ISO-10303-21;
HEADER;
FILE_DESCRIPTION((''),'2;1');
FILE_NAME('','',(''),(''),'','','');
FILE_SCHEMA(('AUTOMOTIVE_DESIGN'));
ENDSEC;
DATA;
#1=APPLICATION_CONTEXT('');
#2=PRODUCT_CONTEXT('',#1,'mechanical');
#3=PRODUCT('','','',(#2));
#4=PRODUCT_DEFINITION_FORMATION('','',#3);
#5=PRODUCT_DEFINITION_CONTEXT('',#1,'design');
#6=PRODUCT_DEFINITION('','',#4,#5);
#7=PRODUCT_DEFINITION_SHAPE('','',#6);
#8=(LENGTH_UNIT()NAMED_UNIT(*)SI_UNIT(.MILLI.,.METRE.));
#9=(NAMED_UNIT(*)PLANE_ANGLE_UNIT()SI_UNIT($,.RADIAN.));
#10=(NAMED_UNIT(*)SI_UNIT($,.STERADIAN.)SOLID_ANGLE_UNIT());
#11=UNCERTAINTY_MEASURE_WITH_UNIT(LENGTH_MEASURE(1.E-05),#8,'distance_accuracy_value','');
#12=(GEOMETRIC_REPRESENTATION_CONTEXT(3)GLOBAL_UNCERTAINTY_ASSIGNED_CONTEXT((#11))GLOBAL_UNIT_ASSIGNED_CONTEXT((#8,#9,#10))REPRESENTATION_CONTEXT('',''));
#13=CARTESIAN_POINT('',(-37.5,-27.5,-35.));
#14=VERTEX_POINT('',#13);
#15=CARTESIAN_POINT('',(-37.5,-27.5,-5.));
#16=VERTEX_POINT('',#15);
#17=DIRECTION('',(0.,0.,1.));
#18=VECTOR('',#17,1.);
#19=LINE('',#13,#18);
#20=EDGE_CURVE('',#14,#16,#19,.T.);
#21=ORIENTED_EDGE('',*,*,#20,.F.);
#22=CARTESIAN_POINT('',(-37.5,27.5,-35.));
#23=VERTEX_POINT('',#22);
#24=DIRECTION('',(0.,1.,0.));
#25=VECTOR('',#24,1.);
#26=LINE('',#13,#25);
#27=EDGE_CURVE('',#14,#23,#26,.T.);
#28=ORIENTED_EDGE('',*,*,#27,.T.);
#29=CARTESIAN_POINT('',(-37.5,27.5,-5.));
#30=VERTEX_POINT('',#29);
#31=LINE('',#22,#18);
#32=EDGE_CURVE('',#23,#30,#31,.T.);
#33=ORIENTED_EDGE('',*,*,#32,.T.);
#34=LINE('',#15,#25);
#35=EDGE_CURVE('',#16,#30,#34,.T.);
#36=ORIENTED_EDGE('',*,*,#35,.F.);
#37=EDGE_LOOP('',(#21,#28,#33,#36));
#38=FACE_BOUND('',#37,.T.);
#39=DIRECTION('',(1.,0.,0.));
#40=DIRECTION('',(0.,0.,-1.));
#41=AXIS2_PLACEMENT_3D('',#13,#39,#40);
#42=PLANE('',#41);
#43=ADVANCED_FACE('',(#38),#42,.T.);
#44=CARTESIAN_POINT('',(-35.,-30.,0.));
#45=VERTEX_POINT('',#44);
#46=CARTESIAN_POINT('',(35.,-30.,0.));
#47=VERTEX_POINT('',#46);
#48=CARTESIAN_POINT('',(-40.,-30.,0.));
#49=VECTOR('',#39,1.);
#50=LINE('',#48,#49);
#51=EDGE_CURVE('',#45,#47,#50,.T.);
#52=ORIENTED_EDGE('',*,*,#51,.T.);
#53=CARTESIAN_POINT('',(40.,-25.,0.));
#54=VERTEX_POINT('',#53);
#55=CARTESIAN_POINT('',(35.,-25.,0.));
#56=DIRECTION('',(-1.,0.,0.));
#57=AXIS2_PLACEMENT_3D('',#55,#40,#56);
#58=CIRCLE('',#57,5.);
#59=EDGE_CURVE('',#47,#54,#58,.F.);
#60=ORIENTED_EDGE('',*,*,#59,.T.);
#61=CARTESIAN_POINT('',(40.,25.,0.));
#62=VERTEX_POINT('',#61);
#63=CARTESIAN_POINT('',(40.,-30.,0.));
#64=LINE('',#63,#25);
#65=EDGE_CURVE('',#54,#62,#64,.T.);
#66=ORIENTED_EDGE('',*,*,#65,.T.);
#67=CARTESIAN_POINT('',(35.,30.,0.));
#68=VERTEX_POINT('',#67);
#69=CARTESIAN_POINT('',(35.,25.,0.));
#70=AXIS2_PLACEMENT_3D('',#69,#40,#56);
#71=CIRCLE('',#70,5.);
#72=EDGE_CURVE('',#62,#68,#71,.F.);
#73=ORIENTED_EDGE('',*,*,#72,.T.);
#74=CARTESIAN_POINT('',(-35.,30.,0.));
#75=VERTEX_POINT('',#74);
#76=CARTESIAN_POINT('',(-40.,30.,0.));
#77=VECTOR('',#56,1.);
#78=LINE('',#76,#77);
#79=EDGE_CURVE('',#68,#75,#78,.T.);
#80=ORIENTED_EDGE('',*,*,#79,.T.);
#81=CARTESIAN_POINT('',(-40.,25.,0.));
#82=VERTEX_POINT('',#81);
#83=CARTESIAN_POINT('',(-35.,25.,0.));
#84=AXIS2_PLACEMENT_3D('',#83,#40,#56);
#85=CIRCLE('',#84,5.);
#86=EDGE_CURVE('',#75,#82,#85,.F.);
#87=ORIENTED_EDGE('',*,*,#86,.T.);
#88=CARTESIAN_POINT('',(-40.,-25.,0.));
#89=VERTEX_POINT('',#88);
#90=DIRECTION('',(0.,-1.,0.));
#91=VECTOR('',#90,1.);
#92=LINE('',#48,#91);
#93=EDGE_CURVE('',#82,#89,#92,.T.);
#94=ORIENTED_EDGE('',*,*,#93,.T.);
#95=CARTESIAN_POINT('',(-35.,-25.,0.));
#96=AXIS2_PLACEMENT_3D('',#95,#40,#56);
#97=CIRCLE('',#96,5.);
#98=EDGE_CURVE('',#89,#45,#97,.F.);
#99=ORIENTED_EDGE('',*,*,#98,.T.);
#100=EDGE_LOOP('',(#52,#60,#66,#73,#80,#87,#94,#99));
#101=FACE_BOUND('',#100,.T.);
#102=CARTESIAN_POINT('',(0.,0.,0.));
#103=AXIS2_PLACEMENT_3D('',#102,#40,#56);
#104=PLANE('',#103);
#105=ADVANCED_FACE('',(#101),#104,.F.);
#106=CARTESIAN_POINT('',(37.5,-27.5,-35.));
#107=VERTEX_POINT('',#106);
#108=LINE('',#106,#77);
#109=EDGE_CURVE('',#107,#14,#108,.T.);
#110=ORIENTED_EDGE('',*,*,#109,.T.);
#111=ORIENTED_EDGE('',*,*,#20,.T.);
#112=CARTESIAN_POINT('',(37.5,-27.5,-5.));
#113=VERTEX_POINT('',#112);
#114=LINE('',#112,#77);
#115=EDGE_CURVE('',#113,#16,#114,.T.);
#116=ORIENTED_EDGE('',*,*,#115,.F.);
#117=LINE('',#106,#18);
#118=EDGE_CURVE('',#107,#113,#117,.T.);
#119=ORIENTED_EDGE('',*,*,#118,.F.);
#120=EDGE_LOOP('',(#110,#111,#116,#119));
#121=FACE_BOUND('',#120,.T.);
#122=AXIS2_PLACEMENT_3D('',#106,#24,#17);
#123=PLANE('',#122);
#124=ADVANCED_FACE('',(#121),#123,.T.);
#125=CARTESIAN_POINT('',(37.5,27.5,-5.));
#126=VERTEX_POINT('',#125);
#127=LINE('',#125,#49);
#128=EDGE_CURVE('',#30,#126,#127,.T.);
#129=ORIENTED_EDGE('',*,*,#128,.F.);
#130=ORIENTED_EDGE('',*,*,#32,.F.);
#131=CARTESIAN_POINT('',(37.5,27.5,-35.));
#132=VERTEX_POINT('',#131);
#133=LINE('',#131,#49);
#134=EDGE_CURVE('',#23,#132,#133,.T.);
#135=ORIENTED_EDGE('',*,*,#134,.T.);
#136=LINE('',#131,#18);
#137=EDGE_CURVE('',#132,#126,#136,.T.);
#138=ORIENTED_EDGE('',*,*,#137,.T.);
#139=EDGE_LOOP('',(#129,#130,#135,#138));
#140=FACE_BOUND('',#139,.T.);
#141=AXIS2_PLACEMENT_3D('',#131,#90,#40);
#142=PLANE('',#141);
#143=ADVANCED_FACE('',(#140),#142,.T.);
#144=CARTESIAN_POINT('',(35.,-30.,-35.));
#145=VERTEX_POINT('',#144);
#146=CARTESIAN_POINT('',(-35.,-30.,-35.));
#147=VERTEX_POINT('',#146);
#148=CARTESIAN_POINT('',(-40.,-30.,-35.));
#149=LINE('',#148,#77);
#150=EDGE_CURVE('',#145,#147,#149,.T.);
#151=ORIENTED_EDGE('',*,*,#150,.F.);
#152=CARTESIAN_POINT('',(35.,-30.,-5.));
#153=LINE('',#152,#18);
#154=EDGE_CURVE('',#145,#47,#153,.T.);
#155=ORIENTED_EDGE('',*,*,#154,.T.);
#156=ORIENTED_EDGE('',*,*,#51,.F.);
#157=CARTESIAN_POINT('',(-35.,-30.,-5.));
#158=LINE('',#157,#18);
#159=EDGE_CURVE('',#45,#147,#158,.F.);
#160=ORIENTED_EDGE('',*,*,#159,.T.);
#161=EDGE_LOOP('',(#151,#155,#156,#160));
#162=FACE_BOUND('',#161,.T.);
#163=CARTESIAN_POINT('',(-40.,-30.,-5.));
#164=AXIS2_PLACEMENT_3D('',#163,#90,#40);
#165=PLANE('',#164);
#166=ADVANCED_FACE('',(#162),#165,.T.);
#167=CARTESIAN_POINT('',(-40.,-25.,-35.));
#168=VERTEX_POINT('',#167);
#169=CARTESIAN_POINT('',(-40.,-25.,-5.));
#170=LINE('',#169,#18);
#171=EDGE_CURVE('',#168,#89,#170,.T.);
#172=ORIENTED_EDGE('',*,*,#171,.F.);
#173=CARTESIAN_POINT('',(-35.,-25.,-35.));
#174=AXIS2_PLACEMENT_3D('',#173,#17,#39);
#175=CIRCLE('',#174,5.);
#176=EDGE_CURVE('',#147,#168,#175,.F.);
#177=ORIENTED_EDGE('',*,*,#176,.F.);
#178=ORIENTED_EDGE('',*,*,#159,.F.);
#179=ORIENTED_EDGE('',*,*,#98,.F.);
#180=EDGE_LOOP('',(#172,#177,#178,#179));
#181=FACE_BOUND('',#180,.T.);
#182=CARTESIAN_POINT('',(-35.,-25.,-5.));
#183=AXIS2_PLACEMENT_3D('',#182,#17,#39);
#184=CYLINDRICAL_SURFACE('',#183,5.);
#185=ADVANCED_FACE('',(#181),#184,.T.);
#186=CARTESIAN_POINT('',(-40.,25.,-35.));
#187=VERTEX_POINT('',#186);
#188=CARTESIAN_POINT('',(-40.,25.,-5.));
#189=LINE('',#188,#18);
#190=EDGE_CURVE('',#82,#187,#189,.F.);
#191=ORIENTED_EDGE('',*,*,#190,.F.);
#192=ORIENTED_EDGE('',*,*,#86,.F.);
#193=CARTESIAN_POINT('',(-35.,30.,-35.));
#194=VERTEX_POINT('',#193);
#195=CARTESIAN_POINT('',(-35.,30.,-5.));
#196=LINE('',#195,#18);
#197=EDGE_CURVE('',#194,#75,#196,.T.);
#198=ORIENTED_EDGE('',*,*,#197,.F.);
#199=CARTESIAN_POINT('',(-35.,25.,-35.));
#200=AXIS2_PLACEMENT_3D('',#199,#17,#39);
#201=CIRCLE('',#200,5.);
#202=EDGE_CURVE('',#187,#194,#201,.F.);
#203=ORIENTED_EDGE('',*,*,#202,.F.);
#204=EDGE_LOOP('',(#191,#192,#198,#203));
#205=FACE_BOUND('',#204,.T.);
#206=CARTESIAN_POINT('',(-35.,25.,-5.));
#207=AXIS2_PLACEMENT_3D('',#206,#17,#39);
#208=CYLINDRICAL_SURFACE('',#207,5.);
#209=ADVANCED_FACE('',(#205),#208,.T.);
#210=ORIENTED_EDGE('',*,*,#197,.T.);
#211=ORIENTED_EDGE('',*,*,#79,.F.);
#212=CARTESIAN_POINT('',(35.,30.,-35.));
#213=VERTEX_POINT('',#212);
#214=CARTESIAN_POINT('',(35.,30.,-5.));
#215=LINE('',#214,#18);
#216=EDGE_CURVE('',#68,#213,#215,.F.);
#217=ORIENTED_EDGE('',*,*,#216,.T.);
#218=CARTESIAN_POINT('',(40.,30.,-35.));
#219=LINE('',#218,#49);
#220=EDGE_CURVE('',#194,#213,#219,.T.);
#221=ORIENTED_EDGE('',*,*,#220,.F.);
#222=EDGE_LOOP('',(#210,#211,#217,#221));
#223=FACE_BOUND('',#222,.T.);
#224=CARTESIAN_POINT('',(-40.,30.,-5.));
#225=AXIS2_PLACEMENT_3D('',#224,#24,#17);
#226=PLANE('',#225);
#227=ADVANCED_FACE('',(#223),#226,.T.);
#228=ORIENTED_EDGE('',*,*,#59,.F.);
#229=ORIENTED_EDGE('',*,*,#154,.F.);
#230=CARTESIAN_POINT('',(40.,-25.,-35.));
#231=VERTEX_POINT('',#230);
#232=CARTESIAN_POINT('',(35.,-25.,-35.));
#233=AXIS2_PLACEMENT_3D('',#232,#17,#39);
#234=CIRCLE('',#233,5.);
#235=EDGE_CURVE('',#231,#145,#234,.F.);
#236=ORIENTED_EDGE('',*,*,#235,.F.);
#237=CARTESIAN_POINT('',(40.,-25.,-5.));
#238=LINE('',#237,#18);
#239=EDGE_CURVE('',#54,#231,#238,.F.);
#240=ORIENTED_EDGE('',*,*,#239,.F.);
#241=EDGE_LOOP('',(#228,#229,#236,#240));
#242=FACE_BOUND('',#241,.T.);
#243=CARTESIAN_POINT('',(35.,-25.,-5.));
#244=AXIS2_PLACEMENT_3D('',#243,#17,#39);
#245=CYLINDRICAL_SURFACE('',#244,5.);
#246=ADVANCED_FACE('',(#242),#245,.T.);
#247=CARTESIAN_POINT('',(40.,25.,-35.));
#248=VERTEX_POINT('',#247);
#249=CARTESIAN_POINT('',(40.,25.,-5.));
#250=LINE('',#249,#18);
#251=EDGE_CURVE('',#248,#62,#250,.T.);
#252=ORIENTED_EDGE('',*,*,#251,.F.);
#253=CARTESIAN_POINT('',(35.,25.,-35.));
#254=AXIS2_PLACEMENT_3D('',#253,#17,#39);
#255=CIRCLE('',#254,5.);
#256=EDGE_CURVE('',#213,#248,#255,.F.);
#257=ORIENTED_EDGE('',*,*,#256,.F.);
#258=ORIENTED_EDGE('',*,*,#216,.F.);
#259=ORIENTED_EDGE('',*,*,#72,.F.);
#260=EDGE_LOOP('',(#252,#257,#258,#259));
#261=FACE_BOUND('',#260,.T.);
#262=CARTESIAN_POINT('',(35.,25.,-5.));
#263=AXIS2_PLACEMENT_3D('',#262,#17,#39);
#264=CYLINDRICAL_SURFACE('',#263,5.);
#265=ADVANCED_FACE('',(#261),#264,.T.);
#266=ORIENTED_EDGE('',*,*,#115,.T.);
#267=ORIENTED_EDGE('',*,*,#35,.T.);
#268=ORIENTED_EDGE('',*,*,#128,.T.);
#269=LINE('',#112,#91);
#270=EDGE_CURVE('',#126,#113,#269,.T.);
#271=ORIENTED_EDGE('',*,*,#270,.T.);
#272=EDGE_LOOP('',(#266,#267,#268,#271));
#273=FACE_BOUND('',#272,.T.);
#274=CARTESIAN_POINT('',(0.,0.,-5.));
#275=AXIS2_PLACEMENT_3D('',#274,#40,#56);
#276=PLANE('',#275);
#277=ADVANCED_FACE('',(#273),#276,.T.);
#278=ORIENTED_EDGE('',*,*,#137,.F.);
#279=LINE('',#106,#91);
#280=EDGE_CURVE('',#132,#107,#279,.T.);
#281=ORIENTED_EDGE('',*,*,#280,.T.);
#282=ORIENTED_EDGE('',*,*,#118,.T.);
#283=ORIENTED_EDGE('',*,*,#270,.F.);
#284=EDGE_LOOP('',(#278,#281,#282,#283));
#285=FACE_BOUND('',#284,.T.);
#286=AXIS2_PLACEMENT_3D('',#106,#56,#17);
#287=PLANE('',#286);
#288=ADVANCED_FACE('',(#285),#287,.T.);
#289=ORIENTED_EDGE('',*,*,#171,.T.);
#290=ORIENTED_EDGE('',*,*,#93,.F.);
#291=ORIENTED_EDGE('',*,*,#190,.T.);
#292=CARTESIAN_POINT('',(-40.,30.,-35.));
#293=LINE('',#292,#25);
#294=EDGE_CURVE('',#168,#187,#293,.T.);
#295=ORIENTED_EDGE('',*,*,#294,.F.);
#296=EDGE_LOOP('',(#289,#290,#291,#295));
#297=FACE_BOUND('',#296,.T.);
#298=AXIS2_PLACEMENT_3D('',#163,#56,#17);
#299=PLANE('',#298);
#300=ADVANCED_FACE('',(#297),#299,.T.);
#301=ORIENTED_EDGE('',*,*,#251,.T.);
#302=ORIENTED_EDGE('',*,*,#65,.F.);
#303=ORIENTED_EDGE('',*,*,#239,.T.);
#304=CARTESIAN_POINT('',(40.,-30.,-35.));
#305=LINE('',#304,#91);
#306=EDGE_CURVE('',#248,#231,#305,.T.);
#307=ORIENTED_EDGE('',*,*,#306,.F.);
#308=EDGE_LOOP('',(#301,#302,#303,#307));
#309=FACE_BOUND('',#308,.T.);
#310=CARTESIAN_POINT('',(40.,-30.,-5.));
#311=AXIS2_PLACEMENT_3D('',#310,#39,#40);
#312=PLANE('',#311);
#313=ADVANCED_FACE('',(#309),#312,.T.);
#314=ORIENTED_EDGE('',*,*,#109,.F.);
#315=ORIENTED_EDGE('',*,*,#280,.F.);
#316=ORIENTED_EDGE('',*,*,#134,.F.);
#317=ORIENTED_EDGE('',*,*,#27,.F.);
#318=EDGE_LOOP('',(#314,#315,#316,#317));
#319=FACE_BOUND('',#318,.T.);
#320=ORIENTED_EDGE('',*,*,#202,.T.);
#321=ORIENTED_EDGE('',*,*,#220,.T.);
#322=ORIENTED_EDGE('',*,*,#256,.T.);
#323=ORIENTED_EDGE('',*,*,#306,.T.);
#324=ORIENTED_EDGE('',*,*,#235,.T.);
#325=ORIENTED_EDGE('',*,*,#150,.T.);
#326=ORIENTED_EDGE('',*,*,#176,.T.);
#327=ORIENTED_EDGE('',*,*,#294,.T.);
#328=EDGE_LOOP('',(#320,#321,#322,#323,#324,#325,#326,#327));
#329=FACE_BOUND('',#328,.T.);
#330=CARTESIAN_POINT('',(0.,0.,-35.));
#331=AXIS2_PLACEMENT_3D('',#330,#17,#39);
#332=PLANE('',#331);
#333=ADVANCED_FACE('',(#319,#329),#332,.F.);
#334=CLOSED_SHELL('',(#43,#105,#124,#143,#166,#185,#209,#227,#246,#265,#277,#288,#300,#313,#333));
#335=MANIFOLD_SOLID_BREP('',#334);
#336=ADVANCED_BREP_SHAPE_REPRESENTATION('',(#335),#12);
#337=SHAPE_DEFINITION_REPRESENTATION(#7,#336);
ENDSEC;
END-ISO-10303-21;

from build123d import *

# Parameters (mm, degrees)
SKETCH1_W           = 80
SKETCH1_H           = 60
BOSS_EXTRUDE5_DEPTH = 5
SKETCH4_W           = 80
SKETCH4_H           = 60
SKETCH4_W_2         = 75
SKETCH4_H_2         = 55
BOSS_EXTRUDE6_DEPTH = 30
FILLET2_R           = 5


with BuildPart() as part:
    # Sketch1 → Boss-Extrude5 (new body)
    with BuildSketch(Plane.XY):
        Rectangle(SKETCH1_W, SKETCH1_H)
    extrude(amount=-BOSS_EXTRUDE5_DEPTH)

    # Sketch4 → Boss-Extrude6 (add)
    with BuildSketch(Plane(origin=(0, 0, -5), x_dir=(-1, 0, 0), z_dir=(0, 0, -1))):
        Rectangle(SKETCH4_W, SKETCH4_H)
        Rectangle(SKETCH4_W_2, SKETCH4_H_2, mode=Mode.SUBTRACT)
    extrude(amount=BOSS_EXTRUDE6_DEPTH)

    # Fillet2
    fillet2_edges = [part.edges().sort_by_distance(p)[0] for p in [
        (40, -30, -17.5),
        (-40, -30, -17.5),
        (-40, 30, -17.5),
        (40, 30, -17.5),
    ]]
    fillet(fillet2_edges, radius=FILLET2_R)


solid = part.part
